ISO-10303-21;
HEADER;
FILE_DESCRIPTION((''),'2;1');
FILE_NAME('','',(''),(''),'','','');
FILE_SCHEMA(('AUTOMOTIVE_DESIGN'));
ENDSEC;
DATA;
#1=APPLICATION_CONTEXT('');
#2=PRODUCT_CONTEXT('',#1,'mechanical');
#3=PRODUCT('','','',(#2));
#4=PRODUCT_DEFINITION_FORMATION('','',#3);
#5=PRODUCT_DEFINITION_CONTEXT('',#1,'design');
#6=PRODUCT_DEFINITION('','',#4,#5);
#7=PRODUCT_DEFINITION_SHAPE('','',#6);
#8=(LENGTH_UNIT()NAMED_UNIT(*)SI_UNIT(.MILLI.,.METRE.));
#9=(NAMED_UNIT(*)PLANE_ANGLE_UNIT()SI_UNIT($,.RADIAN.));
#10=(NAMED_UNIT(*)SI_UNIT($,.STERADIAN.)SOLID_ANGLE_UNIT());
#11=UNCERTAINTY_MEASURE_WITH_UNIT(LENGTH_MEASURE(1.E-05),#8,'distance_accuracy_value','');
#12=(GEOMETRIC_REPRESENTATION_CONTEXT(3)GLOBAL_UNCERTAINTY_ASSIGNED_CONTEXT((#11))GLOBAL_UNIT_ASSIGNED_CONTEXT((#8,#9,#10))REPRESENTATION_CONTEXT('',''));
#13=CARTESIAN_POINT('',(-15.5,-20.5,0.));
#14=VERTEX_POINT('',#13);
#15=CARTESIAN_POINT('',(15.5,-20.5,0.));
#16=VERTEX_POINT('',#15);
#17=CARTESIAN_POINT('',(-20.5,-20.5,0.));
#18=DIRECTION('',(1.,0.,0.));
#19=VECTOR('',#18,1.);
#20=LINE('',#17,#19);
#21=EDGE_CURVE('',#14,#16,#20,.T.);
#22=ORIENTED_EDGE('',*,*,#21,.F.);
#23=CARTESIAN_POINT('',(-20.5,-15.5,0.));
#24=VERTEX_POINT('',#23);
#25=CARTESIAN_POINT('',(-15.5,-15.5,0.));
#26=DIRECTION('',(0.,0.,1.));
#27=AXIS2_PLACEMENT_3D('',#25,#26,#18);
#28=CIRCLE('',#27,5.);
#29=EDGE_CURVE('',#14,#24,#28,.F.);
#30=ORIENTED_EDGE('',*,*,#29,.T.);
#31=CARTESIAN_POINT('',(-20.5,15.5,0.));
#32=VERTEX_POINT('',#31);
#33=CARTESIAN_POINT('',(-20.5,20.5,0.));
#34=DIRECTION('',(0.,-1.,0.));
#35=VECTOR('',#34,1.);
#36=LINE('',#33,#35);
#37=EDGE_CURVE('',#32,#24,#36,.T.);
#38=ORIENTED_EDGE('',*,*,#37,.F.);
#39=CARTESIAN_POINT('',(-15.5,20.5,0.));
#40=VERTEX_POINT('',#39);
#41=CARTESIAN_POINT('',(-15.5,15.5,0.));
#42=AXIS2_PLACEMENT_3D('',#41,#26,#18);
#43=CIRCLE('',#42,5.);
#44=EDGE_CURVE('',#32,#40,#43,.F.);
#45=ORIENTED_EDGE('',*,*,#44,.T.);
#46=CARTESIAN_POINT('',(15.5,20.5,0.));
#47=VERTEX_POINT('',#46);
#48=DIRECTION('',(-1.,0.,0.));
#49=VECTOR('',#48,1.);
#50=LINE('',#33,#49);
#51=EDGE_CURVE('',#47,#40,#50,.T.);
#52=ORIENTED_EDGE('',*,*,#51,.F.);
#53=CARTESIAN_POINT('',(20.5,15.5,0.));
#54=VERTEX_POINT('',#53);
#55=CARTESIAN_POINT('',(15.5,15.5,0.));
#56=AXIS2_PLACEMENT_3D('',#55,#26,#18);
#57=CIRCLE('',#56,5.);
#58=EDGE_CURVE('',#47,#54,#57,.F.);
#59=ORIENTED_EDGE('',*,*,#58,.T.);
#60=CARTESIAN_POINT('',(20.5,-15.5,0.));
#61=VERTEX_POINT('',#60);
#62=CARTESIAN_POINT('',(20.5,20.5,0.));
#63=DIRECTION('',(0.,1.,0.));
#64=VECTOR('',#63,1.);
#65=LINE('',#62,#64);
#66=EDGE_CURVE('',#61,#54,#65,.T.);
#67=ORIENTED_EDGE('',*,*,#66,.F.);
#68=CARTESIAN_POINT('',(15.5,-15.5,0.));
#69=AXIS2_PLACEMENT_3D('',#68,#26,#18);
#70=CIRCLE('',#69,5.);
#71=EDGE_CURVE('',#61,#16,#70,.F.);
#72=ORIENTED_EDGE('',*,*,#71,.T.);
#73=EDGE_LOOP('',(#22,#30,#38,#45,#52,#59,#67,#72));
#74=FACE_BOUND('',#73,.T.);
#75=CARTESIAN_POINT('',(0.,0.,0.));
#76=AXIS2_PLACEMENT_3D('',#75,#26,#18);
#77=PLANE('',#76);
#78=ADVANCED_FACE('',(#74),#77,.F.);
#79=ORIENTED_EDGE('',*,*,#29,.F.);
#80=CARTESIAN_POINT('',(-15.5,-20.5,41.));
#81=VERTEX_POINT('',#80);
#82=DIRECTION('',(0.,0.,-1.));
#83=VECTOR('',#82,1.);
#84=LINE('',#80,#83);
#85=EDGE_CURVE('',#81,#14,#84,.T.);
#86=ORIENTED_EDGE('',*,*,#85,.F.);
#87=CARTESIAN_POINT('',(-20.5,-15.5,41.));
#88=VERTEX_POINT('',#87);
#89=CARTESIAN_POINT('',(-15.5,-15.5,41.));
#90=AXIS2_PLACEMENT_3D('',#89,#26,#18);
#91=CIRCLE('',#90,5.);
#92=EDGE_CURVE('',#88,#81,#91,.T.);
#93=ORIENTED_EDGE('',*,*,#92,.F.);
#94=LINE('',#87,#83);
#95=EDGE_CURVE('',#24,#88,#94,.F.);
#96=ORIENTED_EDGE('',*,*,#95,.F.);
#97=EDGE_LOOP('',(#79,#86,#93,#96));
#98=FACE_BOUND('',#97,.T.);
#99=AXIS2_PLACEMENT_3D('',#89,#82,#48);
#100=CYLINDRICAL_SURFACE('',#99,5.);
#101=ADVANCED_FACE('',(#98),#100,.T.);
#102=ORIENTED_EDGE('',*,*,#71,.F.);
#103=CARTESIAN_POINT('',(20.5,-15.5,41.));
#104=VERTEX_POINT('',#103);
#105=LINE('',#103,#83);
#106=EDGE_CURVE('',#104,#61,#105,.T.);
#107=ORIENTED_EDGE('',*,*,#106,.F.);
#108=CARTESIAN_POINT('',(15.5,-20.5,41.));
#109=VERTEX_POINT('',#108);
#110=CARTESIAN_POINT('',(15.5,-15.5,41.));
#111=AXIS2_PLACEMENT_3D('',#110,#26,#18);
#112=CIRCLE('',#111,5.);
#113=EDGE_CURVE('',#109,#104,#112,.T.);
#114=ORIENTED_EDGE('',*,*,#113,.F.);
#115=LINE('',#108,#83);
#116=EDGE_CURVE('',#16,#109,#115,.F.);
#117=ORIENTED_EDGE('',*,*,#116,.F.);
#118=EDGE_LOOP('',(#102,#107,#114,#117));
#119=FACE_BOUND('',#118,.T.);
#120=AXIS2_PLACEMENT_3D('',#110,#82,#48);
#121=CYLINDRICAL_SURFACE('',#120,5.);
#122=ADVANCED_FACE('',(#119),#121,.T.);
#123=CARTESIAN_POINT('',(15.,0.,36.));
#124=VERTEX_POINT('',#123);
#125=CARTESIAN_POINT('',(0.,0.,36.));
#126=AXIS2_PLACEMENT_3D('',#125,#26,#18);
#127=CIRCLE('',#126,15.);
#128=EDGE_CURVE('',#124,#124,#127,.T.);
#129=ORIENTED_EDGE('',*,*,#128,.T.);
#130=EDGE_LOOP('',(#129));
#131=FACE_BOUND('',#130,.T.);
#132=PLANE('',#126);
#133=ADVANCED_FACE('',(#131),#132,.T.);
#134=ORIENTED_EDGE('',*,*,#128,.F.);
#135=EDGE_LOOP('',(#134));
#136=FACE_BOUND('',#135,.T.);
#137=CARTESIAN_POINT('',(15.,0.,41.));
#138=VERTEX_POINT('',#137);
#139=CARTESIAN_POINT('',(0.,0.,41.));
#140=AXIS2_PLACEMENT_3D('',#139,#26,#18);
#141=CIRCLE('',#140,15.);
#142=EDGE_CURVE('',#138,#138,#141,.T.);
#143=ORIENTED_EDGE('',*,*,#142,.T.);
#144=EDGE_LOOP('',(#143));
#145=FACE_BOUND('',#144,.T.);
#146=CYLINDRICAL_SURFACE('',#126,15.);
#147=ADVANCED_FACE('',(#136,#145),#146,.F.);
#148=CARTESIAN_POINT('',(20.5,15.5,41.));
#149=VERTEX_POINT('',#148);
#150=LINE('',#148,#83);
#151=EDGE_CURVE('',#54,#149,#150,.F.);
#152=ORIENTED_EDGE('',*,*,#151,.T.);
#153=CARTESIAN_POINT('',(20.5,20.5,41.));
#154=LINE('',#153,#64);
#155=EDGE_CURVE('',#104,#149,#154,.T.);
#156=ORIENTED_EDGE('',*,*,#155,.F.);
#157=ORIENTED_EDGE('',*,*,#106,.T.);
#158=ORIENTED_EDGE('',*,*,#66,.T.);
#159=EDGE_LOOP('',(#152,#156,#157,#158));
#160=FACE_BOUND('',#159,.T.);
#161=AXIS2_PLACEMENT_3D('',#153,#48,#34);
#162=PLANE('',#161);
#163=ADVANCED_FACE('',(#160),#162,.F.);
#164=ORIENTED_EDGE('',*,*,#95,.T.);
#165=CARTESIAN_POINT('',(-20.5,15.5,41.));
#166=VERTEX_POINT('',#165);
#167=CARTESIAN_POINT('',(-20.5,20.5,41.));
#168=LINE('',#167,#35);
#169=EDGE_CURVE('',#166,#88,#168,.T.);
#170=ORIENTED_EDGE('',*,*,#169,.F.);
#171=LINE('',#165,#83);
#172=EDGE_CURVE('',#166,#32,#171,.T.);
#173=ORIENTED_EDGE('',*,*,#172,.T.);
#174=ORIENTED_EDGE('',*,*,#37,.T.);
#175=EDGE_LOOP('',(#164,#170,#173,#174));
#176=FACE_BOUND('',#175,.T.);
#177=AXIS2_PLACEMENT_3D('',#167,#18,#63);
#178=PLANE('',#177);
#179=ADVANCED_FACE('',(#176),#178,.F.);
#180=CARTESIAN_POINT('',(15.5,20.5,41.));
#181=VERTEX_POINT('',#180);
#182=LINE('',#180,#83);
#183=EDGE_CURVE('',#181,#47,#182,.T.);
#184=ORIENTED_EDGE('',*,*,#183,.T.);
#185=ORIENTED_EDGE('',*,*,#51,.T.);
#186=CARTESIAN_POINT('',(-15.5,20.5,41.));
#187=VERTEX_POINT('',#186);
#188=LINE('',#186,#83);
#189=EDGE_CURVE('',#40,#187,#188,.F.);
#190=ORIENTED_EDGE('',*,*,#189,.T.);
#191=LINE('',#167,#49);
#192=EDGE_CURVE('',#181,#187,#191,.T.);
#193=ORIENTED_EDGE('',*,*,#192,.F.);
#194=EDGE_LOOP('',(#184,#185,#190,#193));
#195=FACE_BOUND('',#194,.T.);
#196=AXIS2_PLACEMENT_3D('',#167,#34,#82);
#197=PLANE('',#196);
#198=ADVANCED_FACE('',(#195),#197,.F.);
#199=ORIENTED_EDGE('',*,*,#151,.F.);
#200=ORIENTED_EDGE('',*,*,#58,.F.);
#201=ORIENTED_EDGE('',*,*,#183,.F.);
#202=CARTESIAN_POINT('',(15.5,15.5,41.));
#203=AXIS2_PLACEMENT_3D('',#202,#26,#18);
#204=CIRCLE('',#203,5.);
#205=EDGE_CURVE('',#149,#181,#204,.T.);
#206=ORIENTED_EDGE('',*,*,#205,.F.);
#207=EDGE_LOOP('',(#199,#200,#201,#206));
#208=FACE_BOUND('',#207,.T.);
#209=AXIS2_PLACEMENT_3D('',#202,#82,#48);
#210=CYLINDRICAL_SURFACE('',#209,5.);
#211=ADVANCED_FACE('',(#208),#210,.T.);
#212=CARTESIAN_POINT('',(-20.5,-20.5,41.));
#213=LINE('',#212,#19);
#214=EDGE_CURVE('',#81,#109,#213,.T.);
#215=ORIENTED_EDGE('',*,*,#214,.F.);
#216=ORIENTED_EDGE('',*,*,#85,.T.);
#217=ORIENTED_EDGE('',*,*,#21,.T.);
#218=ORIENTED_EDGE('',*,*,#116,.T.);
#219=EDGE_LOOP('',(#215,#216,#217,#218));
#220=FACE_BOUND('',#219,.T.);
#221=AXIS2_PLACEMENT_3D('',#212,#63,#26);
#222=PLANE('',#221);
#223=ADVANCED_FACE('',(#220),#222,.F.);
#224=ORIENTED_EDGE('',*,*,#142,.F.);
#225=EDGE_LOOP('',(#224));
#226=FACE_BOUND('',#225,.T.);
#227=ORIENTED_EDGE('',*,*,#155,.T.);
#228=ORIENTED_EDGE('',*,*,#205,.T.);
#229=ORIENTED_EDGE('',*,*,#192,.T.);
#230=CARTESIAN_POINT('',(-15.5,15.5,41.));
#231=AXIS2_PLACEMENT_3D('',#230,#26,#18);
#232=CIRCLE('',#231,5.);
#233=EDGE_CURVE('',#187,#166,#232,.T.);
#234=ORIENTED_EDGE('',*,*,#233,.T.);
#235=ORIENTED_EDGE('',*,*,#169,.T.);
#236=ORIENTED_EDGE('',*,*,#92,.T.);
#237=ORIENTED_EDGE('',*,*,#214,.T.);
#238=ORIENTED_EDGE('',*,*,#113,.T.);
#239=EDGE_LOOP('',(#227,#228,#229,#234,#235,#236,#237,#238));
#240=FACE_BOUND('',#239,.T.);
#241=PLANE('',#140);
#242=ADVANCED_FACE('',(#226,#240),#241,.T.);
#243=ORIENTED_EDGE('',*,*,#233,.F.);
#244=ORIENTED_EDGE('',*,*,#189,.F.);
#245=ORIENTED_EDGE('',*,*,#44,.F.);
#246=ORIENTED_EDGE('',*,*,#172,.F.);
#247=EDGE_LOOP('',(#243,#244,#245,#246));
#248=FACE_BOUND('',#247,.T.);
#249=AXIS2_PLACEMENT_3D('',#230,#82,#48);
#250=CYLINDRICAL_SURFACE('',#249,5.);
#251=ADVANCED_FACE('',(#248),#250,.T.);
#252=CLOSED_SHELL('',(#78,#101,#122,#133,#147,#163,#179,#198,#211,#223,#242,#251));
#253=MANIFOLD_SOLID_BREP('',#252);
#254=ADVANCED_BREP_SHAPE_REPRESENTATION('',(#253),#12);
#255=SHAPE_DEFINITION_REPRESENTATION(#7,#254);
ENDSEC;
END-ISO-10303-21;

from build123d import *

# Parameters (mm, degrees)
SKETCH_1_W          = 41
SKETCH_1_H          = 41
EXTRUDE_1_DEPTH     = 41
SKETCH_2_R          = 15
CUT_EXTRUDE_1_DEPTH = 5
FILLET_1_R          = 5


with BuildPart() as part:
    # 草图1 → 凸台-拉伸1 (new body)
    with BuildSketch(Plane.XY):
        Rectangle(SKETCH_1_W, SKETCH_1_H)
    extrude(amount=EXTRUDE_1_DEPTH)

    # 草图2 → 切除-拉伸1 (cut)
    with BuildSketch(Plane.XY.offset(41)):
        Circle(SKETCH_2_R)
    extrude(amount=-CUT_EXTRUDE_1_DEPTH, mode=Mode.SUBTRACT)

    # 圆角1
    fillet_1_edges = [part.edges().sort_by_distance(p)[0] for p in [
        (20.5, -20.5, 20.5),
        (-20.5, -20.5, 20.5),
        (-20.5, 20.5, 20.5),
        (20.5, 20.5, 20.5),
    ]]
    fillet(fillet_1_edges, radius=FILLET_1_R)


solid = part.part
